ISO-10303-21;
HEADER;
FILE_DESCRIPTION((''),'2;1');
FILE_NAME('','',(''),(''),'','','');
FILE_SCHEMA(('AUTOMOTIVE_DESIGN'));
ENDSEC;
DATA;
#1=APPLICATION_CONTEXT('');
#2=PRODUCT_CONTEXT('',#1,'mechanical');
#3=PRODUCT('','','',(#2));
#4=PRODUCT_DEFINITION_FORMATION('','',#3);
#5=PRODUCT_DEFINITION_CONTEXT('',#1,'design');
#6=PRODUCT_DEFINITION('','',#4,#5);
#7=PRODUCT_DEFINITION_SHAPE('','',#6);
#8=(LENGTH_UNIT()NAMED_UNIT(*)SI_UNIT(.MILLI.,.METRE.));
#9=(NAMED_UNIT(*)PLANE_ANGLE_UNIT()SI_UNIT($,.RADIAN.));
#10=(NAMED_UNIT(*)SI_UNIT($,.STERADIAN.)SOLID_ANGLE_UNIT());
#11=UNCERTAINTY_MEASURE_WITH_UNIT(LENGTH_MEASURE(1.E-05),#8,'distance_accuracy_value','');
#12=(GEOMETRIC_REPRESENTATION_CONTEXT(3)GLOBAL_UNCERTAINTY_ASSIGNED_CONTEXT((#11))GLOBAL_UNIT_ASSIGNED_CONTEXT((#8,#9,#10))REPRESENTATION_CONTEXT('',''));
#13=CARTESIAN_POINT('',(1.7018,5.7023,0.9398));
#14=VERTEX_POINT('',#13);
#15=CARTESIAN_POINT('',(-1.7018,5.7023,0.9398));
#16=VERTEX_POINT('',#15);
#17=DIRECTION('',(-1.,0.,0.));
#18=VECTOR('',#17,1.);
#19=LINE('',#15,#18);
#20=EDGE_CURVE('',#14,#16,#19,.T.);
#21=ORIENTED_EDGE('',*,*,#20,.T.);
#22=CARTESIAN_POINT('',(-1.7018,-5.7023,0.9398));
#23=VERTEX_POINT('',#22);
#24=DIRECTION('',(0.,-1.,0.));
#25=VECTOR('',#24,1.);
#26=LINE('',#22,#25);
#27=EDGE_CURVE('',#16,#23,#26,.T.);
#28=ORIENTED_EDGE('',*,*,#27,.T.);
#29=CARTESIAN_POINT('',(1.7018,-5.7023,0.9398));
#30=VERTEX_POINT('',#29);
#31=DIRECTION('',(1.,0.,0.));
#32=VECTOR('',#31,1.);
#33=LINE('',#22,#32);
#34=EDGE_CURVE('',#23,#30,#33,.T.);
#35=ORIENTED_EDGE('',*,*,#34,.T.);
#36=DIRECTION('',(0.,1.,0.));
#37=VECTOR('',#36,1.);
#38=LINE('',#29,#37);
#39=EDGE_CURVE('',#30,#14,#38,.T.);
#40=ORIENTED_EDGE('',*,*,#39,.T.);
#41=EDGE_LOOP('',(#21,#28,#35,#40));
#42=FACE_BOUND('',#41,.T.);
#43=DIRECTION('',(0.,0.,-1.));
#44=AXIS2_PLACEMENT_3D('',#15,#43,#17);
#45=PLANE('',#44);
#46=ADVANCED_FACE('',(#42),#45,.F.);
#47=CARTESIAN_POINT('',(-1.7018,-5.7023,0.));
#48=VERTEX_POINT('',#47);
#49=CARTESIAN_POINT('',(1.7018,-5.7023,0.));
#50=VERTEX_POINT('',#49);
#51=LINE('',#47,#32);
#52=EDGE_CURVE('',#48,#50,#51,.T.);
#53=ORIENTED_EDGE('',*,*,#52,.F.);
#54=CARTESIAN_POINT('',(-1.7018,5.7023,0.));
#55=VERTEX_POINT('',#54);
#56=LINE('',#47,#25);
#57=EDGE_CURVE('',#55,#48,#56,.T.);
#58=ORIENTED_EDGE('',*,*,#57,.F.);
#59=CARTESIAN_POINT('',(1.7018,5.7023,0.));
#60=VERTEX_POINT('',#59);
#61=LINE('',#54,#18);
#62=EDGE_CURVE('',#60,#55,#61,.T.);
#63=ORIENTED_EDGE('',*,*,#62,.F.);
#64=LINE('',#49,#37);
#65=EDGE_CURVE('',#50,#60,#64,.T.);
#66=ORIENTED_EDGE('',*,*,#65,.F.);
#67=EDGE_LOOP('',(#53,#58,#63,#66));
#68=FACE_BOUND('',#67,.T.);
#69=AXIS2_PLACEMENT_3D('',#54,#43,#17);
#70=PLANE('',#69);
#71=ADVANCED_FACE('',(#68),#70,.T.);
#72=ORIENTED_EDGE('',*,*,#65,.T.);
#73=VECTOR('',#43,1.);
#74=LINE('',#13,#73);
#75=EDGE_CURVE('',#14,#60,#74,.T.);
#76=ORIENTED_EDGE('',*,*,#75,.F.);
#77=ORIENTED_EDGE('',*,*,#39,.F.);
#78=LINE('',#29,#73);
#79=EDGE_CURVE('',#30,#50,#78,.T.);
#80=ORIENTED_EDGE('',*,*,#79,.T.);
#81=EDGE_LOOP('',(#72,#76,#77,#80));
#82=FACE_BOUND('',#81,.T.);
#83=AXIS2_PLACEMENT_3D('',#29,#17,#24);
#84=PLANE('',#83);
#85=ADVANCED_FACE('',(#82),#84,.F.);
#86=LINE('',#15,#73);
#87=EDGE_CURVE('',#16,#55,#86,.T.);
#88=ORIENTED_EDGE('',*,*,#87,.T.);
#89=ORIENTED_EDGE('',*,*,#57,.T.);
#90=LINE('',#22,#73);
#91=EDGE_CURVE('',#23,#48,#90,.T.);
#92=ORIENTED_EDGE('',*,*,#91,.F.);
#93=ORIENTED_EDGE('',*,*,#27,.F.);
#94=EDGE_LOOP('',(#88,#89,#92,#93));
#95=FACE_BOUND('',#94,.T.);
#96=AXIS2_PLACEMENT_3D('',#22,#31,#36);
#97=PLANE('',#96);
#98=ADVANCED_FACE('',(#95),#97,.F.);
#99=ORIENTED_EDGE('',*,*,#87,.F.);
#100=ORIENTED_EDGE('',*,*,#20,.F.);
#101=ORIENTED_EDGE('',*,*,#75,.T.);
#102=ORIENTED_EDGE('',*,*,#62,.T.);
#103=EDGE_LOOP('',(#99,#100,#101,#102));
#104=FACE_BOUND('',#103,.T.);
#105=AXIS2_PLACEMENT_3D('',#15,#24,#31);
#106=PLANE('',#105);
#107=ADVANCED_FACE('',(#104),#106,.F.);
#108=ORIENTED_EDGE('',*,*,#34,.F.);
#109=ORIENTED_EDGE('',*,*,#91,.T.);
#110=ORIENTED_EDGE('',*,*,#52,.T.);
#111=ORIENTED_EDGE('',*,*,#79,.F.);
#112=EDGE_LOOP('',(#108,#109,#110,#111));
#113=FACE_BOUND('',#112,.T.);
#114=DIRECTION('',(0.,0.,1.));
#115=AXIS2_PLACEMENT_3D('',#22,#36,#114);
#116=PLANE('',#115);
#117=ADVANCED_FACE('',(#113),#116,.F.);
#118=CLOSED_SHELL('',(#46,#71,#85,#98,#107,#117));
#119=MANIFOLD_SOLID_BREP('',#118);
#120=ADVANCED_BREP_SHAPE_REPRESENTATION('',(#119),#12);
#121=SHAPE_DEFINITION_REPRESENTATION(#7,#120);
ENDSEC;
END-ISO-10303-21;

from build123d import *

# Parameters (mm, degrees)
SKETCH1_W      = 3.4036
SKETCH1_H      = 11.4046
EXTRUDE1_DEPTH = 0.9398


with BuildPart() as part:
    # Sketch1 → Extrude1 (new body)
    with BuildSketch(Plane.XY):
        Rectangle(SKETCH1_W, SKETCH1_H)
    extrude(amount=EXTRUDE1_DEPTH)


solid = part.part
